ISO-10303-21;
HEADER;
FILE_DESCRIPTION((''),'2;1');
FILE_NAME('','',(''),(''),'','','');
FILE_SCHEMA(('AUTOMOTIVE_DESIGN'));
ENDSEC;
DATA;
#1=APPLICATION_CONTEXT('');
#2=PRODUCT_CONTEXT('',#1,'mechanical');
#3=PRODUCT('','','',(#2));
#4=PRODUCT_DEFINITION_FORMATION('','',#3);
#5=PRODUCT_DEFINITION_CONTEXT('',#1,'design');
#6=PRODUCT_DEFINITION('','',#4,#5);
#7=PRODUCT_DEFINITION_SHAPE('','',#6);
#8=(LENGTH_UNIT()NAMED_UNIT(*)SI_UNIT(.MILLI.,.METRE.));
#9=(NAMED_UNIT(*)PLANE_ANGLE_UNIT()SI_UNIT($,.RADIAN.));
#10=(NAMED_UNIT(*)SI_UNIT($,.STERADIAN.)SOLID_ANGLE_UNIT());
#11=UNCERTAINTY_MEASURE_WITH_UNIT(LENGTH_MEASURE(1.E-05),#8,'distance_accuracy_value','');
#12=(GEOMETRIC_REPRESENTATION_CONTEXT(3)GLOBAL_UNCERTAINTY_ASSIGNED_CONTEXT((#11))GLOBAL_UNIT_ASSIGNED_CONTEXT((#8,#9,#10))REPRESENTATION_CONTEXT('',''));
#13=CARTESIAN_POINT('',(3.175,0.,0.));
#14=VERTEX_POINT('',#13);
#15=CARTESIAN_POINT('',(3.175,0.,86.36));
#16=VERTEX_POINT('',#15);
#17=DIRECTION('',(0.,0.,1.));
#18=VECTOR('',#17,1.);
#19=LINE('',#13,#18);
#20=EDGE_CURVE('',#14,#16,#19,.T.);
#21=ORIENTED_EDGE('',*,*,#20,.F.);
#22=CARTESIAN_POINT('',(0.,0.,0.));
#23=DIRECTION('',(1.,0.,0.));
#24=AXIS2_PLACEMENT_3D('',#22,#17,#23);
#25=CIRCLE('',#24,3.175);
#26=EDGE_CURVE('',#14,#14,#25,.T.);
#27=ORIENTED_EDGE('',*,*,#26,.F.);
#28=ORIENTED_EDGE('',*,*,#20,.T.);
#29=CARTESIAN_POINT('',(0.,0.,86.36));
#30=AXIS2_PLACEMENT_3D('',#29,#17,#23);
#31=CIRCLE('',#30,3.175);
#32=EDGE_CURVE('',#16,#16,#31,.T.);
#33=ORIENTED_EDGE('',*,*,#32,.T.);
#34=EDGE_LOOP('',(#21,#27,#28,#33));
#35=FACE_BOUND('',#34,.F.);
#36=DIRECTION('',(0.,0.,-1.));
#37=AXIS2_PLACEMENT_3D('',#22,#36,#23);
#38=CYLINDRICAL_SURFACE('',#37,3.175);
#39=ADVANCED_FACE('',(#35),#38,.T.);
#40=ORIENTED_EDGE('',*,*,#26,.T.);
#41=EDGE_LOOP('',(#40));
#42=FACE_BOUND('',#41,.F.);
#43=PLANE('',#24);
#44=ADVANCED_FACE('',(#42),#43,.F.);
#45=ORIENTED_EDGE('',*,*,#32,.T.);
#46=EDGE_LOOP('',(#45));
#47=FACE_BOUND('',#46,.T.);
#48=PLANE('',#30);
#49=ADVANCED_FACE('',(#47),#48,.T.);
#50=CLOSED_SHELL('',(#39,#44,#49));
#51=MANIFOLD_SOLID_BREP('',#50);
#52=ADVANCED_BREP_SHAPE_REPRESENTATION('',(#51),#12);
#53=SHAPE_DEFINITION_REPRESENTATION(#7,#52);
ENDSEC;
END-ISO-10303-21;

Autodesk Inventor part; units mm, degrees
ref_plane "YZ Plane" through (0, 0, 0) normal (1, 0, 0) x (0, 1, 0)
ref_plane "XZ Plane" through (0, 0, 0) normal (0, 1, 0) x (-1, 0, 0)
ref_plane "XY Plane" through (0, 0, 0) normal (0, 0, 1) x (1, 0, 0)
sketch "Sketch1" plane through (0, 0, 0) normal (0, 0, 1) x (1, 0, 0)
  circle A0 centre (0, 0) radius 3.175
  dimension "d0" = 6.35
extrude "Extrusion1" add sketch "Sketch1" along normal blind 86.36
properties part number "axle" material "ABS Plastic"
